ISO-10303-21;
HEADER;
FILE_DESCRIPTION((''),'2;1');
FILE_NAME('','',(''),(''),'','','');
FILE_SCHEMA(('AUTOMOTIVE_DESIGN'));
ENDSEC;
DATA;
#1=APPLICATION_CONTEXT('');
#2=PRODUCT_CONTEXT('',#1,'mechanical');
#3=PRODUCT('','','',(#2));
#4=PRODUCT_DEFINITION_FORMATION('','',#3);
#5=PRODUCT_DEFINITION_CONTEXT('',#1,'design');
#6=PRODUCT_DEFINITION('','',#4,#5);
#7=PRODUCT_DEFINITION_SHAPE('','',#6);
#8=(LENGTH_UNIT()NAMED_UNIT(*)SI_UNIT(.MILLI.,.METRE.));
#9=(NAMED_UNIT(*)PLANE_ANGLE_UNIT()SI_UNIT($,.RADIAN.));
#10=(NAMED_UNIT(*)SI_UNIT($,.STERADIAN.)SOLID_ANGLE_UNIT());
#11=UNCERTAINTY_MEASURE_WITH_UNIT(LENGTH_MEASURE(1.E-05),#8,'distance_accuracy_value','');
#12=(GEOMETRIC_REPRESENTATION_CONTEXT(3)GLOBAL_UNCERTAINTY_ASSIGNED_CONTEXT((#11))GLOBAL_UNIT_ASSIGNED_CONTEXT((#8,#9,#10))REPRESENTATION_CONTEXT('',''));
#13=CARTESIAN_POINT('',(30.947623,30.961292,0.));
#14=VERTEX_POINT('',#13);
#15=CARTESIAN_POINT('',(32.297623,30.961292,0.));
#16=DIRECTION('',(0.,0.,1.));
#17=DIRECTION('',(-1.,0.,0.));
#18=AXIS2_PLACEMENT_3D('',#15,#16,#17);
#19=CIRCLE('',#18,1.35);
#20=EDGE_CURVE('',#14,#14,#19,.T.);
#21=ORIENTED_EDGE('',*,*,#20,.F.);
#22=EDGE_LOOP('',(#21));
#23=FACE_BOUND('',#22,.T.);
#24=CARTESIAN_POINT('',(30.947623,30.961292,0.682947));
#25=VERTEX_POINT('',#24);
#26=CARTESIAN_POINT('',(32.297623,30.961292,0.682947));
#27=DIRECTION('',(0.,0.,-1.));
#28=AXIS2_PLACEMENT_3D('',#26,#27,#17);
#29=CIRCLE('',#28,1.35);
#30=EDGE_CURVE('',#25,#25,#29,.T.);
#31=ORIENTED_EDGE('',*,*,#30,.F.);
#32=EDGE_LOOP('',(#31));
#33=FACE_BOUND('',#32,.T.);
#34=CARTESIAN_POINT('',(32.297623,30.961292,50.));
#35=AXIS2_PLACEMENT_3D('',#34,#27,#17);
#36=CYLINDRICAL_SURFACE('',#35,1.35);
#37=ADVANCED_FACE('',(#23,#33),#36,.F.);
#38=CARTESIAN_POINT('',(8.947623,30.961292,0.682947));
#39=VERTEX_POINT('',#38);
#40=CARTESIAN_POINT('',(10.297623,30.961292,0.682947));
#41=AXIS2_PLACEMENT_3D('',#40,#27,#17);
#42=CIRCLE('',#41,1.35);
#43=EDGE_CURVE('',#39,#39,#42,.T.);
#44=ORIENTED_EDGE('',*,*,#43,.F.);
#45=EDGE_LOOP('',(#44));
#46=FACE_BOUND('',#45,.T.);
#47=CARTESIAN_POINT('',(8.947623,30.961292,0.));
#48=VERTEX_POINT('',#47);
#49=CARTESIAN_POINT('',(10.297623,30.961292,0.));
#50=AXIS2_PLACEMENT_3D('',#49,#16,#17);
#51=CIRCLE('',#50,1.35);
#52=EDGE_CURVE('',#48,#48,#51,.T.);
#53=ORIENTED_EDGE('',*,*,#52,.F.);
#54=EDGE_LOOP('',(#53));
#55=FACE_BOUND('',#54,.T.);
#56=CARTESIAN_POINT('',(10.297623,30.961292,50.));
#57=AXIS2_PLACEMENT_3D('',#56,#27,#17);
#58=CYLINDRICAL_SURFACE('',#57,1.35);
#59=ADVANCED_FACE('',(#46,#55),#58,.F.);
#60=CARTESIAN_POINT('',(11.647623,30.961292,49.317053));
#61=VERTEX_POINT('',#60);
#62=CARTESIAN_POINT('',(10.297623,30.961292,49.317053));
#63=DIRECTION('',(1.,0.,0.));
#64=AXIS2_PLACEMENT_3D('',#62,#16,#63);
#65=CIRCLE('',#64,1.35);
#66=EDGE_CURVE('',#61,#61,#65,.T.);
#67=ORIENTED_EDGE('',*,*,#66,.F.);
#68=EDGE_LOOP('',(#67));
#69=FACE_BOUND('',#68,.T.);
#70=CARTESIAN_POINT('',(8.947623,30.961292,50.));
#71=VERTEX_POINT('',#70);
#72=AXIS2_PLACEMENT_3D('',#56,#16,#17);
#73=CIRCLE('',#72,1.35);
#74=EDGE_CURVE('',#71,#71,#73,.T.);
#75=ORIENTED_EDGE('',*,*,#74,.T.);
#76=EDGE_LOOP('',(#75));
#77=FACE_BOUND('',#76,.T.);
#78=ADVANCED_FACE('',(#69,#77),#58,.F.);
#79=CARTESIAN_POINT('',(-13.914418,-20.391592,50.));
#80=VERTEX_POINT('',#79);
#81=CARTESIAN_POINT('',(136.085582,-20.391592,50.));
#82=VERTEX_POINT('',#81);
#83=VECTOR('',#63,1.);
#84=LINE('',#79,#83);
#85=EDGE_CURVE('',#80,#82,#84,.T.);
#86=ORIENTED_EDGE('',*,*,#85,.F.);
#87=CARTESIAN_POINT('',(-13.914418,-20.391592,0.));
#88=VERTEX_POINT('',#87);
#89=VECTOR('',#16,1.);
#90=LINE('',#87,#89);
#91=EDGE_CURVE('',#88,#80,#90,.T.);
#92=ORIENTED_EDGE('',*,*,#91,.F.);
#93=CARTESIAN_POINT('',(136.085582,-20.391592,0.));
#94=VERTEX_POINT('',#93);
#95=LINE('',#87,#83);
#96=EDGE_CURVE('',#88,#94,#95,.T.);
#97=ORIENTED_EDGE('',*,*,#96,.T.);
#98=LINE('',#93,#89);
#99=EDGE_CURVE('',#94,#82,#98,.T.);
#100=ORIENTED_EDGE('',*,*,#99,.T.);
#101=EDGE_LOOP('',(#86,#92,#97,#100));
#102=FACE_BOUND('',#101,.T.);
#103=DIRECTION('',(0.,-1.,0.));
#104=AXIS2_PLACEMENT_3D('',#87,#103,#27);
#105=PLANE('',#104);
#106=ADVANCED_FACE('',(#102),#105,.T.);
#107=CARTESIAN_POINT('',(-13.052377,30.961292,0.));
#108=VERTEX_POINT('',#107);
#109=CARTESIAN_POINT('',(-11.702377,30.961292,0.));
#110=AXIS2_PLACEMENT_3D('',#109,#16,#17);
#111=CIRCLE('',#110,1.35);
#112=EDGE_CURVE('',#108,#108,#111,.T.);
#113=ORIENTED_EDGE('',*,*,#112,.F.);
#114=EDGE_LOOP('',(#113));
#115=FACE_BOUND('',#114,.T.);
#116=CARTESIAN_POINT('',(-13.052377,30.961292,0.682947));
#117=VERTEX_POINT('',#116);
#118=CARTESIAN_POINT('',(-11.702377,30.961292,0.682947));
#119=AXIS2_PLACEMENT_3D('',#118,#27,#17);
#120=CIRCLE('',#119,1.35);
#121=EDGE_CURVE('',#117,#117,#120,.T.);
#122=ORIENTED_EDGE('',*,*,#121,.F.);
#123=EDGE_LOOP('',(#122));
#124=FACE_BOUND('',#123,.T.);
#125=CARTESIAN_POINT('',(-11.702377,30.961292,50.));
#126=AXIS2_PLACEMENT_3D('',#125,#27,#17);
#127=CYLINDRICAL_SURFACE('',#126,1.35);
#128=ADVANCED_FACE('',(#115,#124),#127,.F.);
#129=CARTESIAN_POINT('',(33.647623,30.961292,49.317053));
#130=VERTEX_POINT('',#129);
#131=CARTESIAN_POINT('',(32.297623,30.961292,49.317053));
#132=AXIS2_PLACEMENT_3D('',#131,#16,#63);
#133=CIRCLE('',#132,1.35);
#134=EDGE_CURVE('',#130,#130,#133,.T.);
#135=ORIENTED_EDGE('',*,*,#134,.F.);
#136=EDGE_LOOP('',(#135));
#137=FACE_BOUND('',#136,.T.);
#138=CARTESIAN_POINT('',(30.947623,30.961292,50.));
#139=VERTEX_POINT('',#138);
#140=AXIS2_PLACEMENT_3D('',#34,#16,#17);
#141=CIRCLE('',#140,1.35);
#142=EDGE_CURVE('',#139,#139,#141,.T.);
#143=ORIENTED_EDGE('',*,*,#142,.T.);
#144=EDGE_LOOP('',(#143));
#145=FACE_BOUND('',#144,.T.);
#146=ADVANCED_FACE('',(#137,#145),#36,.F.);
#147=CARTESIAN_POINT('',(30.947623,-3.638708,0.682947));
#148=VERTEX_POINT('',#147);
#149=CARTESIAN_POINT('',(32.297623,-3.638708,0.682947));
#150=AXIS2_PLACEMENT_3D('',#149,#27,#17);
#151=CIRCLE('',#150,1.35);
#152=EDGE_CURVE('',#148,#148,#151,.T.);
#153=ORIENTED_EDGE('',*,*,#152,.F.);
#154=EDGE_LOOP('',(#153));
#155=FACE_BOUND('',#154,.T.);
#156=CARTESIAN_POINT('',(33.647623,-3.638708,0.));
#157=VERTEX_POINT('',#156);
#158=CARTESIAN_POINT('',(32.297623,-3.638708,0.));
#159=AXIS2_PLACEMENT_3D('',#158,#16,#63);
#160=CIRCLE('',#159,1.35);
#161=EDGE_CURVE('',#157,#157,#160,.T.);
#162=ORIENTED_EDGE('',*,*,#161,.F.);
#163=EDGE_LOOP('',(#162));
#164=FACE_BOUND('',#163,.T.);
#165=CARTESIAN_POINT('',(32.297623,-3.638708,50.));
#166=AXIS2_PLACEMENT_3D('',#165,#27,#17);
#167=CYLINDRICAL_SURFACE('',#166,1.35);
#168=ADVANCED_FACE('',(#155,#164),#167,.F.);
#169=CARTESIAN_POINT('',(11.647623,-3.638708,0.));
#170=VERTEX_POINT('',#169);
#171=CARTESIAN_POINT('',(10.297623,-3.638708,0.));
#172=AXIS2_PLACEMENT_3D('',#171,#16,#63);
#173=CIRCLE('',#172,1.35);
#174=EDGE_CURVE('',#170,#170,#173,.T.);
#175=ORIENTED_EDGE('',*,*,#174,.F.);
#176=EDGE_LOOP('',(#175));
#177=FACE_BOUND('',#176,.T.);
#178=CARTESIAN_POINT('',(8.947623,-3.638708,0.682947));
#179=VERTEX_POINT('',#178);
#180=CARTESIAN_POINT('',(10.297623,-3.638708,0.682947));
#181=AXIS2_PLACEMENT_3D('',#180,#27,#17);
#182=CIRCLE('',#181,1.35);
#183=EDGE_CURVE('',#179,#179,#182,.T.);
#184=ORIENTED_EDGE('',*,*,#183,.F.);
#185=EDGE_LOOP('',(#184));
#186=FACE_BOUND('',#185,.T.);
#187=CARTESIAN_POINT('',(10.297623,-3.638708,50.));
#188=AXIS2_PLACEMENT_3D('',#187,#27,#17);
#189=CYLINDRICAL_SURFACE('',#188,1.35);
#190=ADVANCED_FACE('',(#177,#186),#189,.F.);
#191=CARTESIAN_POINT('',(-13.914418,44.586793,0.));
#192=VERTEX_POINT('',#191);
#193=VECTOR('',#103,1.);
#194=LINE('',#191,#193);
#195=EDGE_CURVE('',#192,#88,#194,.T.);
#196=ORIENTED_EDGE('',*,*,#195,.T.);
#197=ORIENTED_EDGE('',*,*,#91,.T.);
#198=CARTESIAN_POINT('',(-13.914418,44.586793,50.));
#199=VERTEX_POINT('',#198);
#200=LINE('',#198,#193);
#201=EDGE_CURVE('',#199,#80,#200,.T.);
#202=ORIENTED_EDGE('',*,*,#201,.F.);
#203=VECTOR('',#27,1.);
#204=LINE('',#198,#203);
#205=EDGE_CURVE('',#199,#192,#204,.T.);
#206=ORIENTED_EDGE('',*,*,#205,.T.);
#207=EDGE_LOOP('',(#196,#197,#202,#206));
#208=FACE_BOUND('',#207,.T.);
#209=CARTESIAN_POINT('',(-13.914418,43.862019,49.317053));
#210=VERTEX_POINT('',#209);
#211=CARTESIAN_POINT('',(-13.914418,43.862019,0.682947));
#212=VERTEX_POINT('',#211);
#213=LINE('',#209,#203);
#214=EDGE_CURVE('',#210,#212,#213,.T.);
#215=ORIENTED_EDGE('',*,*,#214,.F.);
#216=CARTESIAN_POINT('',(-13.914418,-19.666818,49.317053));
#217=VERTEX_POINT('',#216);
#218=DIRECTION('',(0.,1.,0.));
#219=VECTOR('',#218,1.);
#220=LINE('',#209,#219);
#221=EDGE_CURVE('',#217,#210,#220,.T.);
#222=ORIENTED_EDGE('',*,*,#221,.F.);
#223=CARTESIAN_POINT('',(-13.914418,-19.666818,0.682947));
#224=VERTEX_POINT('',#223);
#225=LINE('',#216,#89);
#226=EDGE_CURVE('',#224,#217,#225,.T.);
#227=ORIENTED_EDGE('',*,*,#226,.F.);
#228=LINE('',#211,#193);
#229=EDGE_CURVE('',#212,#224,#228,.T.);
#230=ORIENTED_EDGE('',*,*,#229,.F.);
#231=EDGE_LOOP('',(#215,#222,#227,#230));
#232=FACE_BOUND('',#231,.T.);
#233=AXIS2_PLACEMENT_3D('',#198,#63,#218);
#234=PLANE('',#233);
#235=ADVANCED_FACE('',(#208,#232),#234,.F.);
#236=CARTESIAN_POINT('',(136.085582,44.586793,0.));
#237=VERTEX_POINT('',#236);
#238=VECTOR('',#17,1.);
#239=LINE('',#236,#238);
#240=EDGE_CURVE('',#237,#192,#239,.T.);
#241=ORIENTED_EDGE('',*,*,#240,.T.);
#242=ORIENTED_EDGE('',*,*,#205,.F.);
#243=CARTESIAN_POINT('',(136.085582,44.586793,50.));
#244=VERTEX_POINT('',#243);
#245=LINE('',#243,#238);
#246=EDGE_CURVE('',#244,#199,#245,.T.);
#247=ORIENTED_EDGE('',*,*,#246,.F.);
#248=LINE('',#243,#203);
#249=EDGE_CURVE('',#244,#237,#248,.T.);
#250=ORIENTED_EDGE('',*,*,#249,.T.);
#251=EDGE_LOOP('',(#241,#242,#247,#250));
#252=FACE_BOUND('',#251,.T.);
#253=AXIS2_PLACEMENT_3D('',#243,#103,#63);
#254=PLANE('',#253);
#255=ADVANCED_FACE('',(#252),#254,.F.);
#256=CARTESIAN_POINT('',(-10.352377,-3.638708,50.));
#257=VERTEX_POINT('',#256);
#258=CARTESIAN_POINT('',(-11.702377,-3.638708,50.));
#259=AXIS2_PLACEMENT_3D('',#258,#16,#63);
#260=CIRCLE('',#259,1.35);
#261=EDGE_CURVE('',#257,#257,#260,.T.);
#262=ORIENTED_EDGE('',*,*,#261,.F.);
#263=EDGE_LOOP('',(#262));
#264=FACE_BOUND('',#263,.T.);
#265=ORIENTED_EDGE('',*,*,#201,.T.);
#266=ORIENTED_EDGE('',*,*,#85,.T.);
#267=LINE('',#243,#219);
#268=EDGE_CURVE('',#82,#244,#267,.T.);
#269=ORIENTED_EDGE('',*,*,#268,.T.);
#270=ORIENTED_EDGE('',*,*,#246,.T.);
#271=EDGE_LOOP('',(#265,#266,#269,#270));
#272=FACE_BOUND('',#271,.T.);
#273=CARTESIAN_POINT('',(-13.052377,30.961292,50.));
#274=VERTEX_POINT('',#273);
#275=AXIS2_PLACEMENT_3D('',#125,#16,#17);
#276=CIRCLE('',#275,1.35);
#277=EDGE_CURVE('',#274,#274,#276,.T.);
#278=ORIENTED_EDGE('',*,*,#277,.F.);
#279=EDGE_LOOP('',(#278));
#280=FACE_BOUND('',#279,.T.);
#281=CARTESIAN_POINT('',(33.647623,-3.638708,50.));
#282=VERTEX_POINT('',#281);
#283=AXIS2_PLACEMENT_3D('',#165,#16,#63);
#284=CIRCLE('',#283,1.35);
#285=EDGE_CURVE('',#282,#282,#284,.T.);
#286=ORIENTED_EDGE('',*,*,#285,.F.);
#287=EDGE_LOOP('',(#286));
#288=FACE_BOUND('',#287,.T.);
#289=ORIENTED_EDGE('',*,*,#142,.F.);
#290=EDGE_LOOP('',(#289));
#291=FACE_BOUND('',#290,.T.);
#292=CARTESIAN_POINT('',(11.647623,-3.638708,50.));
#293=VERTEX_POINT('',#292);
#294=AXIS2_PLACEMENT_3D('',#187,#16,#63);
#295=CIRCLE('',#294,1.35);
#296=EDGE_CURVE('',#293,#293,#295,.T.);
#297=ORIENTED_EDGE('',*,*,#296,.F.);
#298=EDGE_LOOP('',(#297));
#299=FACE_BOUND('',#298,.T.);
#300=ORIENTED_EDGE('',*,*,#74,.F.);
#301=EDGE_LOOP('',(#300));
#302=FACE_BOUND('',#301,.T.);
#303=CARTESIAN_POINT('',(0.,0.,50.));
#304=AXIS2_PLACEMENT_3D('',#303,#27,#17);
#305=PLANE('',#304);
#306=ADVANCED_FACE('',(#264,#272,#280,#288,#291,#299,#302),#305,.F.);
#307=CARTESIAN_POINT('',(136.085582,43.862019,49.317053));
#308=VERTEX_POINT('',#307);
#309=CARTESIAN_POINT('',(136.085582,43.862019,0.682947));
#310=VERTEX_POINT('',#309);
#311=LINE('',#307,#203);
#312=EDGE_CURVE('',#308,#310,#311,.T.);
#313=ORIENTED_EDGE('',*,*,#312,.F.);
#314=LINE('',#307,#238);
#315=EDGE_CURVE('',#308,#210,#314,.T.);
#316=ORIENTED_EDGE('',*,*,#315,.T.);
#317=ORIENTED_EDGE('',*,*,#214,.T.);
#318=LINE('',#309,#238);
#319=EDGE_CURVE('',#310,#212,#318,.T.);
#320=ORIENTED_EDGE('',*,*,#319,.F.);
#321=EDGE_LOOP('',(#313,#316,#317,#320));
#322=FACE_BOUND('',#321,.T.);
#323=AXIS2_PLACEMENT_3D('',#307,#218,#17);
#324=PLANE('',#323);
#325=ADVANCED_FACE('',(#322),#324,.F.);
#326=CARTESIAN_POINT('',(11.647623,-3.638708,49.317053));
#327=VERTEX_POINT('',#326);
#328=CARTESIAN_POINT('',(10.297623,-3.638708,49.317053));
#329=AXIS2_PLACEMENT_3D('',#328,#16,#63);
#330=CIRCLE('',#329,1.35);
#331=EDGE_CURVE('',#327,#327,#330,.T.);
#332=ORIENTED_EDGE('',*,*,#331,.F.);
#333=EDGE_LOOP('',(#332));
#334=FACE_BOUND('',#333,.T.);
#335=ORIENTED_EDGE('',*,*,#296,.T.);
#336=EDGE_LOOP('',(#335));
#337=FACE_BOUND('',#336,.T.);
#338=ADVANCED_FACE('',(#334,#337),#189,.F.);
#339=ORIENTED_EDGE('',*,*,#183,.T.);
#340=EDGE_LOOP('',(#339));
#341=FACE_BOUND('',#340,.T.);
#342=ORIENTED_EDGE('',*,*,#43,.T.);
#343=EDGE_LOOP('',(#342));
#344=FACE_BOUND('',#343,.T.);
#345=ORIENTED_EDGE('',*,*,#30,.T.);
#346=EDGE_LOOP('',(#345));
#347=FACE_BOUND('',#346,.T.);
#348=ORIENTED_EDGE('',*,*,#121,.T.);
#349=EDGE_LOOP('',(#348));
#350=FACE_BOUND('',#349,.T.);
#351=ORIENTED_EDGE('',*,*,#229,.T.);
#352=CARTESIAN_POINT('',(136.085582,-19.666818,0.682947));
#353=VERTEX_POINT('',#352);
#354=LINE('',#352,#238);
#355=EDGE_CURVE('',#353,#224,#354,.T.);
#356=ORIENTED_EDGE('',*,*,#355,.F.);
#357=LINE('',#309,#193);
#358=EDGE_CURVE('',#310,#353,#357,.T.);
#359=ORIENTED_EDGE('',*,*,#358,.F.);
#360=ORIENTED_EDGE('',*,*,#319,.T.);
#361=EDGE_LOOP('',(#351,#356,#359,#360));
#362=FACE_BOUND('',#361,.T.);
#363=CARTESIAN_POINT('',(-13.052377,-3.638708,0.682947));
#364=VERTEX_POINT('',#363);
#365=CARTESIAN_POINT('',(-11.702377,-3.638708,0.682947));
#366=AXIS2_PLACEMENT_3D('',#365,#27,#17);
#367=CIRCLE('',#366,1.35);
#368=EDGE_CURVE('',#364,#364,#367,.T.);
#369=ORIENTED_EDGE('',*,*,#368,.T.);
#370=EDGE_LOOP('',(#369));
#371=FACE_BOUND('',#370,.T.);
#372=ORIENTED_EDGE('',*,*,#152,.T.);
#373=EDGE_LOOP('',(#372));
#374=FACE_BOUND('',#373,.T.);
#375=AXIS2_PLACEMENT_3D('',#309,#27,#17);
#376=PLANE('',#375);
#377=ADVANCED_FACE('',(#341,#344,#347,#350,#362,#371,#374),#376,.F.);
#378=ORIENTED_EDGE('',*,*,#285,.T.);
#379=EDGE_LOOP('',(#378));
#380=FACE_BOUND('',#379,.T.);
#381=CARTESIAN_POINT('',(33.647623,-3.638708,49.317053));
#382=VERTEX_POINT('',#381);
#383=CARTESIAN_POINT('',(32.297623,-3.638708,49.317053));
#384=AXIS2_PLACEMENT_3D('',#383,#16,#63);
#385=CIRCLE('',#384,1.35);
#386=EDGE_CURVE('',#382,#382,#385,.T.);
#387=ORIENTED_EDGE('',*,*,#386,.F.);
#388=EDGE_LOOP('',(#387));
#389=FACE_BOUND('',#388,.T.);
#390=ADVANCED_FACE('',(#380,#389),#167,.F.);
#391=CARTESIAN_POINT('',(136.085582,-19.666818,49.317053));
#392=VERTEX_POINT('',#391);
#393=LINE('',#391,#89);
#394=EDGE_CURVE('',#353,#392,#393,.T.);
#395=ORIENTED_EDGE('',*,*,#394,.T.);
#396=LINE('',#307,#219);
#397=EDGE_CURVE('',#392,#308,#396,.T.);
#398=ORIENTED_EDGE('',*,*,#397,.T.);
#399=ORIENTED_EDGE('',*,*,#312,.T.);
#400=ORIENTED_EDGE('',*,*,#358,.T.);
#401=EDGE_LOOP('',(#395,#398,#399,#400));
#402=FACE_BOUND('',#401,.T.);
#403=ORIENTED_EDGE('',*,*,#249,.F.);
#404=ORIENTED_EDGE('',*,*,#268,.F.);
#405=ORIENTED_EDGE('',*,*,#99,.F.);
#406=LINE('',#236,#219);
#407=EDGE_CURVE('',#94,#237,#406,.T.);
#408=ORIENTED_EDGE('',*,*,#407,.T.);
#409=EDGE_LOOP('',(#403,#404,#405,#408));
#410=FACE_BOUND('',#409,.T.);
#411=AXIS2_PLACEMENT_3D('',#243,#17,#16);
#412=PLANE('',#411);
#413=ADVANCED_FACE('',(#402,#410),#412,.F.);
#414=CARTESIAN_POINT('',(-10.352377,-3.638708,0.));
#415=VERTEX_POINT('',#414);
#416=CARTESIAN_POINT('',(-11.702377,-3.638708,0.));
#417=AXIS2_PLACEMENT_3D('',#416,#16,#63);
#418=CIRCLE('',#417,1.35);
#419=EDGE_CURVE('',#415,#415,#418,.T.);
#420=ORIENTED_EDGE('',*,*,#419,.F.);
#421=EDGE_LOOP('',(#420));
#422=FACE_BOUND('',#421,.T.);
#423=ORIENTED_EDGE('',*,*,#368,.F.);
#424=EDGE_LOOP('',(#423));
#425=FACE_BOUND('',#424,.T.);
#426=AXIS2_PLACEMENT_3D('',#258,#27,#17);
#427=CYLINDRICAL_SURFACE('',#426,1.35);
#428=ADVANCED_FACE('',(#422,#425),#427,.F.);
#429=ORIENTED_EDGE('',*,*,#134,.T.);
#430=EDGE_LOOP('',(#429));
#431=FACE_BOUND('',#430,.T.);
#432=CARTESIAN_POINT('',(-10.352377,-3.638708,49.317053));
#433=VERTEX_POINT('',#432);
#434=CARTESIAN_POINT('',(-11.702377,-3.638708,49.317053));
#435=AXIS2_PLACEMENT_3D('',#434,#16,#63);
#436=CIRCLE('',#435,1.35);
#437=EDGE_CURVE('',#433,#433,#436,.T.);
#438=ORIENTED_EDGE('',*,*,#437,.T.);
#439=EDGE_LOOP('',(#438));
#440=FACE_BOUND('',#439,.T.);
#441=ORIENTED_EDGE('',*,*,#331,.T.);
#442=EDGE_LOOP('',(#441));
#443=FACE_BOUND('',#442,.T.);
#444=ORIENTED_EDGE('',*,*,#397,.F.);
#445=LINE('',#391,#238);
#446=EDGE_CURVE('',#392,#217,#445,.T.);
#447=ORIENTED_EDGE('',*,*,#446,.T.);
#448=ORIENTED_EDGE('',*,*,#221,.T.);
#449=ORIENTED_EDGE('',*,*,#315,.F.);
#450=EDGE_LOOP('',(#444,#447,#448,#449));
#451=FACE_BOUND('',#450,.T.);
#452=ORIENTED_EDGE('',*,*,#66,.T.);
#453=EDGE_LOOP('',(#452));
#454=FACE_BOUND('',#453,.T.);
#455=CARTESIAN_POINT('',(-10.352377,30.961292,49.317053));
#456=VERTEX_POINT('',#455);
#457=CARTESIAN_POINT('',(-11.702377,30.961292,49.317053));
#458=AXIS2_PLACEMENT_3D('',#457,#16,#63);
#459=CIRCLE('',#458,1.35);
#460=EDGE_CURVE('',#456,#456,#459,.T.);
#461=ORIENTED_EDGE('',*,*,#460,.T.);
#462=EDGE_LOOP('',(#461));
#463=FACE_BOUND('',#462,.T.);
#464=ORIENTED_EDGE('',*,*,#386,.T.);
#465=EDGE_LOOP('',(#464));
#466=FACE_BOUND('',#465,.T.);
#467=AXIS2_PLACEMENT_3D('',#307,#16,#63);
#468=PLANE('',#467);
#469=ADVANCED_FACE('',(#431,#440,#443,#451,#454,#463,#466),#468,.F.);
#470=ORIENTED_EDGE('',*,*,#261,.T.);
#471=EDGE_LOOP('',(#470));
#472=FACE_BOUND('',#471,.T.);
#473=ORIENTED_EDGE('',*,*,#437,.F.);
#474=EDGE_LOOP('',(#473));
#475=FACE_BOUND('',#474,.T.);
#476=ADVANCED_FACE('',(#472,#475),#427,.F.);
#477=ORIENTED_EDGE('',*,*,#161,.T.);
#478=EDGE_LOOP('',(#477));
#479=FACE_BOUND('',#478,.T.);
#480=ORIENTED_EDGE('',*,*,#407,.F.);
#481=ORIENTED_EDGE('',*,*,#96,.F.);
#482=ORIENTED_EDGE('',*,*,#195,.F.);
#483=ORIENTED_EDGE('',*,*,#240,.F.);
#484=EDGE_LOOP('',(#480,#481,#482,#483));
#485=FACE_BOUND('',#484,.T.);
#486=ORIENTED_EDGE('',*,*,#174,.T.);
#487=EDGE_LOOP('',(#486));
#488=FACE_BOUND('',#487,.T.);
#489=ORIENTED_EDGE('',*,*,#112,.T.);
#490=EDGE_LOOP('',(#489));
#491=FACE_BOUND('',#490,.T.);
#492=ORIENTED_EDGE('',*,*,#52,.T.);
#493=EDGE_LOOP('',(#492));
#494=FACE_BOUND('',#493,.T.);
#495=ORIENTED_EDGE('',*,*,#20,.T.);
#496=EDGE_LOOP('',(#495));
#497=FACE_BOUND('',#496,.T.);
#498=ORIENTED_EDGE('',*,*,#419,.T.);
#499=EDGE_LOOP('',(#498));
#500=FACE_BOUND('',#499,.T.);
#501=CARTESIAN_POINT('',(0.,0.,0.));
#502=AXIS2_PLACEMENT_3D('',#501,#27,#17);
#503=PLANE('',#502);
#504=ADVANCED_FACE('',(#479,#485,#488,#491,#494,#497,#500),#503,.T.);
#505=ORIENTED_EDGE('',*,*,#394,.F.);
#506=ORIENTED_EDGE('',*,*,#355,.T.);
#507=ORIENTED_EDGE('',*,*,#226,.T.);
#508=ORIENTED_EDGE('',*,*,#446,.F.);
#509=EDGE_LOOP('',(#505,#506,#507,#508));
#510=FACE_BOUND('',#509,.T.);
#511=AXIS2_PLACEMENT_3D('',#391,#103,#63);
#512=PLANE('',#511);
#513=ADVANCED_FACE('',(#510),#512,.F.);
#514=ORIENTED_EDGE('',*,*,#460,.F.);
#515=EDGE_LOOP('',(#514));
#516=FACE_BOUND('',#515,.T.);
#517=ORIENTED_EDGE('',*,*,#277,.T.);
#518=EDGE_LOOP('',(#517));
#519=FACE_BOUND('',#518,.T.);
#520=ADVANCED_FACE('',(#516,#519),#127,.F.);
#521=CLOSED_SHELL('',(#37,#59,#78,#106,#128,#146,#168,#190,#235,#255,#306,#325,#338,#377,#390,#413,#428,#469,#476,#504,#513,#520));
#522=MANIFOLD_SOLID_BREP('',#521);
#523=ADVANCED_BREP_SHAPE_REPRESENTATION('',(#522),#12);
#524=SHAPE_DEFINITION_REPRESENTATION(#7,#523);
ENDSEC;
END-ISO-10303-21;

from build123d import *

# Parameters (mm, degrees)
ESBO_O1_W                = 150
ESBO_O1_H                = 50
ESBO_O1_R                = 1.35
RESSALTO_EXTRUS_O1_DEPTH = 50
ESBO_O5_W                = 150
ESBO_O5_H                = 14.978385154
RESSALTO_EXTRUS_O2_DEPTH = 50
ESBO_O6_W                = 48.634106334
ESBO_O6_H                = 63.528836918
CORTE_EXTRUS_O6_DEPTH    = 165.280193846


with BuildPart() as part:
    # Esboço1 → Ressalto-extrusão1 (new body)
    with BuildSketch(Plane.XY):
        with Locations((61.085582475, 19.586792778)):
            Rectangle(ESBO_O1_W, ESBO_O1_H)
        with Locations((-11.702376595, -3.638707723)):
            Circle(ESBO_O1_R, mode=Mode.SUBTRACT)
        with Locations((10.297623405, -3.638707723)):
            Circle(ESBO_O1_R, mode=Mode.SUBTRACT)
        with Locations((32.297623405, -3.638707723)):
            Circle(ESBO_O1_R, mode=Mode.SUBTRACT)
        with Locations(Location((32.297623405, 30.961292277, 0), (0, 0, 180))):
            Circle(ESBO_O1_R, mode=Mode.SUBTRACT)
        with Locations(Location((10.297623405, 30.961292277, 0), (0, 0, 180))):
            Circle(ESBO_O1_R, mode=Mode.SUBTRACT)
        with Locations(Location((-11.702376595, 30.961292277, 0), (0, 0, 180))):
            Circle(ESBO_O1_R, mode=Mode.SUBTRACT)
    extrude(amount=RESSALTO_EXTRUS_O1_DEPTH)

    # Esboço5 → Ressalto-extrusão2 (add)
    with BuildSketch(Plane.XY.offset(50)):
        with Locations((61.085582475, -12.902399799)):
            Rectangle(ESBO_O5_W, ESBO_O5_H)
    extrude(amount=-RESSALTO_EXTRUS_O2_DEPTH)

    # Esboço6 → Corte-extrusão6 (cut, through all)
    with BuildSketch(Plane.ZY.offset(13.914417525)):
        with Locations((25, 12.097600201)):
            Rectangle(ESBO_O6_W, ESBO_O6_H)
    extrude(amount=-CORTE_EXTRUS_O6_DEPTH, mode=Mode.SUBTRACT)


solid = part.part
